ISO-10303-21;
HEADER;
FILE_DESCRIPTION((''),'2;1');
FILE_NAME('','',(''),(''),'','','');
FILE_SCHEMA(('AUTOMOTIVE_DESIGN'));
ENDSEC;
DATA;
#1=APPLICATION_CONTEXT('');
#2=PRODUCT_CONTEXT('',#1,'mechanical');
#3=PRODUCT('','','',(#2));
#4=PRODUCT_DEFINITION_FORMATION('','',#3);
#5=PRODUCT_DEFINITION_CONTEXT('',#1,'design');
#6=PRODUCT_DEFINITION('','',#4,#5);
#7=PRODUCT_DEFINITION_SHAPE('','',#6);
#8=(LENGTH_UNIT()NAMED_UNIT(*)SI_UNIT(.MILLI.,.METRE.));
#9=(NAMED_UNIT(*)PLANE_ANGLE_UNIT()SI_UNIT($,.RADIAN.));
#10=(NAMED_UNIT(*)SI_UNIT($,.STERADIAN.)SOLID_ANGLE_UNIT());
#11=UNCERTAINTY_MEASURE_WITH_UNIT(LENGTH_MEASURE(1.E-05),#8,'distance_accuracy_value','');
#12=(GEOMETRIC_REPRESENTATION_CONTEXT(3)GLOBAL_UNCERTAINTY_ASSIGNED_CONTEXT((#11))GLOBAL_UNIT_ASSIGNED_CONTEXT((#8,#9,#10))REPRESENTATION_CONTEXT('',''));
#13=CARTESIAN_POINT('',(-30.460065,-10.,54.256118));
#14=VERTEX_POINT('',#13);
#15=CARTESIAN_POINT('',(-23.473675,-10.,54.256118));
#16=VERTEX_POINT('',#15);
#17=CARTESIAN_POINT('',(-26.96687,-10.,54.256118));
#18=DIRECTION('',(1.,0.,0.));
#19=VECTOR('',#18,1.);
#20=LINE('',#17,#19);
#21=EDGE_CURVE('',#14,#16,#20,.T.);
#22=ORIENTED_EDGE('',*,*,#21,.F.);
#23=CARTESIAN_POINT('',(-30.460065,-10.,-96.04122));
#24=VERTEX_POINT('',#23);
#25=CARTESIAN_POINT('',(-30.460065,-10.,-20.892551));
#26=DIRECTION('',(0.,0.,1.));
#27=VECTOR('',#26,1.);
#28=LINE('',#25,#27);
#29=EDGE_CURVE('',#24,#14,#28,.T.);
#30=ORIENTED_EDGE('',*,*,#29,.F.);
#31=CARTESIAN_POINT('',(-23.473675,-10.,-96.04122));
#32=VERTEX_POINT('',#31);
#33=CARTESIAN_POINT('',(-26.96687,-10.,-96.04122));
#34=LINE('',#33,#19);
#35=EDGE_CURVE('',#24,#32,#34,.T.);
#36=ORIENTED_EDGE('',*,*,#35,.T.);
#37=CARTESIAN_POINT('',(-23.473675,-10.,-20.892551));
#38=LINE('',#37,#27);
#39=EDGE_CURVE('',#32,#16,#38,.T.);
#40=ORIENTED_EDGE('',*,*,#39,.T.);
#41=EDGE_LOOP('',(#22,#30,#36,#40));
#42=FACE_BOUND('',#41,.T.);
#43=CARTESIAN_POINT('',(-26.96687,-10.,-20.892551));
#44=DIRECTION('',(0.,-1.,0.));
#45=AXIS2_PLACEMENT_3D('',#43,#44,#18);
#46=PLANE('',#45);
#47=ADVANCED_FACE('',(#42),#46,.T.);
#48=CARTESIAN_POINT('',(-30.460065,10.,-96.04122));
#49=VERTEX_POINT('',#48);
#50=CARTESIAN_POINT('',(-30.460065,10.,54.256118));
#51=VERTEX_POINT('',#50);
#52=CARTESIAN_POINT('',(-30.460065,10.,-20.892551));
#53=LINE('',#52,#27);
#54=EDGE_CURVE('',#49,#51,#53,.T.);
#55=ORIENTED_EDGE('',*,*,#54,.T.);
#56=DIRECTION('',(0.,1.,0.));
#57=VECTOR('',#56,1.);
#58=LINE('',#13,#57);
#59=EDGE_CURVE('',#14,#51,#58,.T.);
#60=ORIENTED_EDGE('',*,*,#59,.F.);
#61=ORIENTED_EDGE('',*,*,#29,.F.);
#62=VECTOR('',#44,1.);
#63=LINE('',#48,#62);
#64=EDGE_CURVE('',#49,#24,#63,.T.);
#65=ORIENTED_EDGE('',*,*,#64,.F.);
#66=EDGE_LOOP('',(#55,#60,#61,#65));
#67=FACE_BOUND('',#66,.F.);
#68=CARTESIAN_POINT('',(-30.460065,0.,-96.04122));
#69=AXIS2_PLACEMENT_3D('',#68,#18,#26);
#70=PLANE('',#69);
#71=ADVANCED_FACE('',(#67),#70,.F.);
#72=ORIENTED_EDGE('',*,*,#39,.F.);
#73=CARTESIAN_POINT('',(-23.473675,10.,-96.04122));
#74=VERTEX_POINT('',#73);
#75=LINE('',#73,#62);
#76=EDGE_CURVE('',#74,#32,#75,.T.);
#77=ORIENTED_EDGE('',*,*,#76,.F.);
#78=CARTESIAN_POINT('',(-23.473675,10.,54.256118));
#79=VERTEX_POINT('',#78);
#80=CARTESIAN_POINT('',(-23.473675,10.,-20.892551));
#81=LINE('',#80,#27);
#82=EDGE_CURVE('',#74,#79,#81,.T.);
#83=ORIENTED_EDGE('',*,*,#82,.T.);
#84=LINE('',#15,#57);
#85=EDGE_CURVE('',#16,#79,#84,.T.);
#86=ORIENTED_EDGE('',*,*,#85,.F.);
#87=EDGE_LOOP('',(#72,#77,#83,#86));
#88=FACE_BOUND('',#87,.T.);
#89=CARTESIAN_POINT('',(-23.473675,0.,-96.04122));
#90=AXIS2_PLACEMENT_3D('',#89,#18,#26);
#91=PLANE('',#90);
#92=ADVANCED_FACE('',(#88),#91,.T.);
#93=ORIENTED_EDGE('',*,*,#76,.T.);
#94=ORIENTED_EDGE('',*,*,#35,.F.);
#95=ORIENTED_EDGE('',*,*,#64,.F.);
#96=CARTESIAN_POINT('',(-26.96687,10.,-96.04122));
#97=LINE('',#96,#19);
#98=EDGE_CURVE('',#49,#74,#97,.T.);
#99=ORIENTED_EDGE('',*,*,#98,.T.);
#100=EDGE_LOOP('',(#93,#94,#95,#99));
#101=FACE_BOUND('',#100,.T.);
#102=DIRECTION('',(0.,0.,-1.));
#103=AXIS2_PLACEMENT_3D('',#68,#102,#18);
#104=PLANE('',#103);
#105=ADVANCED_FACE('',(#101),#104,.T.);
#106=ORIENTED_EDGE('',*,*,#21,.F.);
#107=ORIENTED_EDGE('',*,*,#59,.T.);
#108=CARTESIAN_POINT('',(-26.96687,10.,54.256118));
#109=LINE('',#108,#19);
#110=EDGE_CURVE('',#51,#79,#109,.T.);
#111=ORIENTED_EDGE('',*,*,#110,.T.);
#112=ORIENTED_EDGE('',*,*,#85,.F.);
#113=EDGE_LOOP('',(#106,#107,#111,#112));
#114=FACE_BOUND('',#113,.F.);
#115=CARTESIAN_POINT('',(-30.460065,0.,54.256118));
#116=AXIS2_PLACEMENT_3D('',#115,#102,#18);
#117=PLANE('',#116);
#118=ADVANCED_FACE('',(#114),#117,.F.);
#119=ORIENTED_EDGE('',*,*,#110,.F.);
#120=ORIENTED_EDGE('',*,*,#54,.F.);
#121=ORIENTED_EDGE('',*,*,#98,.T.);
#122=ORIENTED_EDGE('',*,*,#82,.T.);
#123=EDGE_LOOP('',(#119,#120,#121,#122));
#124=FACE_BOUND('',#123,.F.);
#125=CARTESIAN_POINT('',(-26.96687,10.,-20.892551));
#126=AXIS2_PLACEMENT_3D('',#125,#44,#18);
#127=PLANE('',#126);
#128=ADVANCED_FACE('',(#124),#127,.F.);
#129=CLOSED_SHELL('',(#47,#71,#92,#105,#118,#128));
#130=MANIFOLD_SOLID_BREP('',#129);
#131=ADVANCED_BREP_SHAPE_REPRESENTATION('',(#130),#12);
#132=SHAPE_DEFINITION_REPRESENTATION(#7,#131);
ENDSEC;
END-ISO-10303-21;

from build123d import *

# Parameters (mm, degrees)
SKETCH004_W   = 6.986389
SKETCH004_H   = 150.297339
EXTRUDE_DEPTH = 10


with BuildPart() as part:
    # Sketch004 → Extrude (new body, symmetric)
    with BuildSketch(Plane.XZ):
        with Locations((-26.96687, 69.107449)):
            Rectangle(SKETCH004_W, SKETCH004_H)
    extrude(amount=EXTRUDE_DEPTH, both=True)


with BuildPart() as part_1:
    # Extrude placement: moved
    add(part.part.moved(Location((0, 0, -90))))


solid = part_1.part
